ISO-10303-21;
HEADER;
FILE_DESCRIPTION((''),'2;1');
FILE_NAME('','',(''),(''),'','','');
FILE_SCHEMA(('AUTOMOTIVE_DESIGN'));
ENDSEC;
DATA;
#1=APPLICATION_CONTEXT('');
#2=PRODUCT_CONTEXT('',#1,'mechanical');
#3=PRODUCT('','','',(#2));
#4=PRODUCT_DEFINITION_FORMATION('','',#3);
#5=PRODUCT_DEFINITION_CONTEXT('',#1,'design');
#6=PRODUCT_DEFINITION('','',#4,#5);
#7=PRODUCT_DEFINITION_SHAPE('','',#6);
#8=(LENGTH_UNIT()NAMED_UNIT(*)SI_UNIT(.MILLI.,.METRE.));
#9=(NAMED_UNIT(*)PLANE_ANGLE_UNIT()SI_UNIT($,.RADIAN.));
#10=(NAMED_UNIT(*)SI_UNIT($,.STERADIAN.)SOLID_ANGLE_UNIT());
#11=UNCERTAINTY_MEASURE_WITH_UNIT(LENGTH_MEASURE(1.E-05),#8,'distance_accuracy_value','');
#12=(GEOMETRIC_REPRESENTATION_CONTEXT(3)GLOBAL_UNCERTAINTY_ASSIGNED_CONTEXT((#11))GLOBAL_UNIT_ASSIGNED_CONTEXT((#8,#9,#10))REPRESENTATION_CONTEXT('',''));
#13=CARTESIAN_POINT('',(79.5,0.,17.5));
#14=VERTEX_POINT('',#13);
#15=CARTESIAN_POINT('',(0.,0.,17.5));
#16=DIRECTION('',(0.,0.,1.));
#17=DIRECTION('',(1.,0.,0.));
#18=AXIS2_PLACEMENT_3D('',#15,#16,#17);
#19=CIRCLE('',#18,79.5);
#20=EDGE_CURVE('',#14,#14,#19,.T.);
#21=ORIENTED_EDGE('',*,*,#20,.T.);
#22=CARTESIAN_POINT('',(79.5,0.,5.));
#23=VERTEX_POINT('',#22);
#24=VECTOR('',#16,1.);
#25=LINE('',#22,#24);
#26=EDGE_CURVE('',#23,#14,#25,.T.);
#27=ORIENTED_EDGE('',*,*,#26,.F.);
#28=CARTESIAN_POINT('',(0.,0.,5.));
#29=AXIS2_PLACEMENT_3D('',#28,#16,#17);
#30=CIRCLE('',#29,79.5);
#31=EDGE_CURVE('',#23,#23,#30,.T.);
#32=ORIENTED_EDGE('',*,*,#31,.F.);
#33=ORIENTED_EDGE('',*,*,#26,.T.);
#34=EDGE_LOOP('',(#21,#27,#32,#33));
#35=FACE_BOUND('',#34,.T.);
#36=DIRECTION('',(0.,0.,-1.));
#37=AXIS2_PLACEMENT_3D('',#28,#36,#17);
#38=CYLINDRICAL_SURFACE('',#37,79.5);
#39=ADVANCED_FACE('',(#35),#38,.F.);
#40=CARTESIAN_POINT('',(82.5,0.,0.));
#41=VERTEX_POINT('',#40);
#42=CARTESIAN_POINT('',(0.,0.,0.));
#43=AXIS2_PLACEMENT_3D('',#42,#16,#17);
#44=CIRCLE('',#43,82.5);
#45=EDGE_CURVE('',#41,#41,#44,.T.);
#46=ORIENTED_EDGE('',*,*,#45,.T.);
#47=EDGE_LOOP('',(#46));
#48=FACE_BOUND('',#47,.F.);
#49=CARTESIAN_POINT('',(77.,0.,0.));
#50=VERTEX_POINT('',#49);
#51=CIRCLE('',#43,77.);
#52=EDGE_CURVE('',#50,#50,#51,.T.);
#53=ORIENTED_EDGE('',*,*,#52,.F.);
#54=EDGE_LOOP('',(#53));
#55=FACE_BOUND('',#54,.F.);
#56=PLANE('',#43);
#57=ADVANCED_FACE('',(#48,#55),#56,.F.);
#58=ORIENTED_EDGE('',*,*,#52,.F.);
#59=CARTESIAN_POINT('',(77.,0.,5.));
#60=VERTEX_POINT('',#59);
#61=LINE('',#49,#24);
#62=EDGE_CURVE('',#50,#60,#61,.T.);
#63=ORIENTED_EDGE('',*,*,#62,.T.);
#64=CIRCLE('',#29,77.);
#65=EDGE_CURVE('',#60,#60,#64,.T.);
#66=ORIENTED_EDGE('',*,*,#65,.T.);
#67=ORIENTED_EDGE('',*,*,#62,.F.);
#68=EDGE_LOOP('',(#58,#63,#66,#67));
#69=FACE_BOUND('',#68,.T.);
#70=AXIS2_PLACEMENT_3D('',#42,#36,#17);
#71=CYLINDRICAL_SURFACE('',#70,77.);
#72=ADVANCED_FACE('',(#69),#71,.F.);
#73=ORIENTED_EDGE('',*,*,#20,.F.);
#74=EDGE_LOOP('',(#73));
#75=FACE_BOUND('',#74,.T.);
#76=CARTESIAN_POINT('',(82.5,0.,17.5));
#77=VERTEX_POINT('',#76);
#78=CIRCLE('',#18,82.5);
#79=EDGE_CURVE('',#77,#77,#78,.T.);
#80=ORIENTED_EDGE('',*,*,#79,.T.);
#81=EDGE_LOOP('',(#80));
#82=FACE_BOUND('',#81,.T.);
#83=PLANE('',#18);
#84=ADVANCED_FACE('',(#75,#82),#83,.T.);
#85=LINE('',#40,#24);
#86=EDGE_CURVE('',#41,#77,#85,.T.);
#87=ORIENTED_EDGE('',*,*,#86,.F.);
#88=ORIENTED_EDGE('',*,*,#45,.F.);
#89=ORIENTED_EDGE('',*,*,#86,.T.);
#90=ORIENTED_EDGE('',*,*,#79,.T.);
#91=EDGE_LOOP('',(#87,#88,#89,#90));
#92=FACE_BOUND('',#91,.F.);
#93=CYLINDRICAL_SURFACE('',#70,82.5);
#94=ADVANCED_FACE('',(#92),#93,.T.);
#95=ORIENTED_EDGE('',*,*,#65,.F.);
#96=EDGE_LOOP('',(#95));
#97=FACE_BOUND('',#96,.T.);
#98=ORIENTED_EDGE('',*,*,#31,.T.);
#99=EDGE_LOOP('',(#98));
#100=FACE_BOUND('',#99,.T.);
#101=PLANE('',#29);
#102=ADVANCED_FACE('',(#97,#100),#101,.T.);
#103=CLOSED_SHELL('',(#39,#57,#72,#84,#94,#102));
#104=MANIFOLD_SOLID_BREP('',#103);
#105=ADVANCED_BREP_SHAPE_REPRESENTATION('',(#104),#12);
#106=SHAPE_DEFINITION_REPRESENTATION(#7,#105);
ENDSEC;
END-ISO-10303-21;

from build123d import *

# Parameters (mm, degrees)
CYLINDER_R        = 77
CYLINDER_DEPTH    = 5
CYLINDER001_R     = 79.5
CYLINDER001_DEPTH = 12.5
CYLINDER002_R     = 82.5
CYLINDER002_DEPTH = 17.5


with BuildPart() as cylinder:
    # Cylinder → Cylinder (new body)
    with BuildSketch(Plane.XY):
        Circle(CYLINDER_R)
    extrude(amount=CYLINDER_DEPTH)


with BuildPart() as fusion:
    # Cylinder001 → Cylinder001 (new body)
    with BuildSketch(Plane.XY.offset(5)):
        Circle(CYLINDER001_R)
    extrude(amount=CYLINDER001_DEPTH)

    # Fusion: union Cylinder
    add(cylinder.part)


with BuildPart() as attachmentseatrecess_noclamps:
    # Cylinder002 → Cylinder002 (new body)
    with BuildSketch(Plane.XY):
        Circle(CYLINDER002_R)
    extrude(amount=CYLINDER002_DEPTH)

    # Cut: cut Fusion
    add(fusion.part, mode=Mode.SUBTRACT)


solid = attachmentseatrecess_noclamps.part
